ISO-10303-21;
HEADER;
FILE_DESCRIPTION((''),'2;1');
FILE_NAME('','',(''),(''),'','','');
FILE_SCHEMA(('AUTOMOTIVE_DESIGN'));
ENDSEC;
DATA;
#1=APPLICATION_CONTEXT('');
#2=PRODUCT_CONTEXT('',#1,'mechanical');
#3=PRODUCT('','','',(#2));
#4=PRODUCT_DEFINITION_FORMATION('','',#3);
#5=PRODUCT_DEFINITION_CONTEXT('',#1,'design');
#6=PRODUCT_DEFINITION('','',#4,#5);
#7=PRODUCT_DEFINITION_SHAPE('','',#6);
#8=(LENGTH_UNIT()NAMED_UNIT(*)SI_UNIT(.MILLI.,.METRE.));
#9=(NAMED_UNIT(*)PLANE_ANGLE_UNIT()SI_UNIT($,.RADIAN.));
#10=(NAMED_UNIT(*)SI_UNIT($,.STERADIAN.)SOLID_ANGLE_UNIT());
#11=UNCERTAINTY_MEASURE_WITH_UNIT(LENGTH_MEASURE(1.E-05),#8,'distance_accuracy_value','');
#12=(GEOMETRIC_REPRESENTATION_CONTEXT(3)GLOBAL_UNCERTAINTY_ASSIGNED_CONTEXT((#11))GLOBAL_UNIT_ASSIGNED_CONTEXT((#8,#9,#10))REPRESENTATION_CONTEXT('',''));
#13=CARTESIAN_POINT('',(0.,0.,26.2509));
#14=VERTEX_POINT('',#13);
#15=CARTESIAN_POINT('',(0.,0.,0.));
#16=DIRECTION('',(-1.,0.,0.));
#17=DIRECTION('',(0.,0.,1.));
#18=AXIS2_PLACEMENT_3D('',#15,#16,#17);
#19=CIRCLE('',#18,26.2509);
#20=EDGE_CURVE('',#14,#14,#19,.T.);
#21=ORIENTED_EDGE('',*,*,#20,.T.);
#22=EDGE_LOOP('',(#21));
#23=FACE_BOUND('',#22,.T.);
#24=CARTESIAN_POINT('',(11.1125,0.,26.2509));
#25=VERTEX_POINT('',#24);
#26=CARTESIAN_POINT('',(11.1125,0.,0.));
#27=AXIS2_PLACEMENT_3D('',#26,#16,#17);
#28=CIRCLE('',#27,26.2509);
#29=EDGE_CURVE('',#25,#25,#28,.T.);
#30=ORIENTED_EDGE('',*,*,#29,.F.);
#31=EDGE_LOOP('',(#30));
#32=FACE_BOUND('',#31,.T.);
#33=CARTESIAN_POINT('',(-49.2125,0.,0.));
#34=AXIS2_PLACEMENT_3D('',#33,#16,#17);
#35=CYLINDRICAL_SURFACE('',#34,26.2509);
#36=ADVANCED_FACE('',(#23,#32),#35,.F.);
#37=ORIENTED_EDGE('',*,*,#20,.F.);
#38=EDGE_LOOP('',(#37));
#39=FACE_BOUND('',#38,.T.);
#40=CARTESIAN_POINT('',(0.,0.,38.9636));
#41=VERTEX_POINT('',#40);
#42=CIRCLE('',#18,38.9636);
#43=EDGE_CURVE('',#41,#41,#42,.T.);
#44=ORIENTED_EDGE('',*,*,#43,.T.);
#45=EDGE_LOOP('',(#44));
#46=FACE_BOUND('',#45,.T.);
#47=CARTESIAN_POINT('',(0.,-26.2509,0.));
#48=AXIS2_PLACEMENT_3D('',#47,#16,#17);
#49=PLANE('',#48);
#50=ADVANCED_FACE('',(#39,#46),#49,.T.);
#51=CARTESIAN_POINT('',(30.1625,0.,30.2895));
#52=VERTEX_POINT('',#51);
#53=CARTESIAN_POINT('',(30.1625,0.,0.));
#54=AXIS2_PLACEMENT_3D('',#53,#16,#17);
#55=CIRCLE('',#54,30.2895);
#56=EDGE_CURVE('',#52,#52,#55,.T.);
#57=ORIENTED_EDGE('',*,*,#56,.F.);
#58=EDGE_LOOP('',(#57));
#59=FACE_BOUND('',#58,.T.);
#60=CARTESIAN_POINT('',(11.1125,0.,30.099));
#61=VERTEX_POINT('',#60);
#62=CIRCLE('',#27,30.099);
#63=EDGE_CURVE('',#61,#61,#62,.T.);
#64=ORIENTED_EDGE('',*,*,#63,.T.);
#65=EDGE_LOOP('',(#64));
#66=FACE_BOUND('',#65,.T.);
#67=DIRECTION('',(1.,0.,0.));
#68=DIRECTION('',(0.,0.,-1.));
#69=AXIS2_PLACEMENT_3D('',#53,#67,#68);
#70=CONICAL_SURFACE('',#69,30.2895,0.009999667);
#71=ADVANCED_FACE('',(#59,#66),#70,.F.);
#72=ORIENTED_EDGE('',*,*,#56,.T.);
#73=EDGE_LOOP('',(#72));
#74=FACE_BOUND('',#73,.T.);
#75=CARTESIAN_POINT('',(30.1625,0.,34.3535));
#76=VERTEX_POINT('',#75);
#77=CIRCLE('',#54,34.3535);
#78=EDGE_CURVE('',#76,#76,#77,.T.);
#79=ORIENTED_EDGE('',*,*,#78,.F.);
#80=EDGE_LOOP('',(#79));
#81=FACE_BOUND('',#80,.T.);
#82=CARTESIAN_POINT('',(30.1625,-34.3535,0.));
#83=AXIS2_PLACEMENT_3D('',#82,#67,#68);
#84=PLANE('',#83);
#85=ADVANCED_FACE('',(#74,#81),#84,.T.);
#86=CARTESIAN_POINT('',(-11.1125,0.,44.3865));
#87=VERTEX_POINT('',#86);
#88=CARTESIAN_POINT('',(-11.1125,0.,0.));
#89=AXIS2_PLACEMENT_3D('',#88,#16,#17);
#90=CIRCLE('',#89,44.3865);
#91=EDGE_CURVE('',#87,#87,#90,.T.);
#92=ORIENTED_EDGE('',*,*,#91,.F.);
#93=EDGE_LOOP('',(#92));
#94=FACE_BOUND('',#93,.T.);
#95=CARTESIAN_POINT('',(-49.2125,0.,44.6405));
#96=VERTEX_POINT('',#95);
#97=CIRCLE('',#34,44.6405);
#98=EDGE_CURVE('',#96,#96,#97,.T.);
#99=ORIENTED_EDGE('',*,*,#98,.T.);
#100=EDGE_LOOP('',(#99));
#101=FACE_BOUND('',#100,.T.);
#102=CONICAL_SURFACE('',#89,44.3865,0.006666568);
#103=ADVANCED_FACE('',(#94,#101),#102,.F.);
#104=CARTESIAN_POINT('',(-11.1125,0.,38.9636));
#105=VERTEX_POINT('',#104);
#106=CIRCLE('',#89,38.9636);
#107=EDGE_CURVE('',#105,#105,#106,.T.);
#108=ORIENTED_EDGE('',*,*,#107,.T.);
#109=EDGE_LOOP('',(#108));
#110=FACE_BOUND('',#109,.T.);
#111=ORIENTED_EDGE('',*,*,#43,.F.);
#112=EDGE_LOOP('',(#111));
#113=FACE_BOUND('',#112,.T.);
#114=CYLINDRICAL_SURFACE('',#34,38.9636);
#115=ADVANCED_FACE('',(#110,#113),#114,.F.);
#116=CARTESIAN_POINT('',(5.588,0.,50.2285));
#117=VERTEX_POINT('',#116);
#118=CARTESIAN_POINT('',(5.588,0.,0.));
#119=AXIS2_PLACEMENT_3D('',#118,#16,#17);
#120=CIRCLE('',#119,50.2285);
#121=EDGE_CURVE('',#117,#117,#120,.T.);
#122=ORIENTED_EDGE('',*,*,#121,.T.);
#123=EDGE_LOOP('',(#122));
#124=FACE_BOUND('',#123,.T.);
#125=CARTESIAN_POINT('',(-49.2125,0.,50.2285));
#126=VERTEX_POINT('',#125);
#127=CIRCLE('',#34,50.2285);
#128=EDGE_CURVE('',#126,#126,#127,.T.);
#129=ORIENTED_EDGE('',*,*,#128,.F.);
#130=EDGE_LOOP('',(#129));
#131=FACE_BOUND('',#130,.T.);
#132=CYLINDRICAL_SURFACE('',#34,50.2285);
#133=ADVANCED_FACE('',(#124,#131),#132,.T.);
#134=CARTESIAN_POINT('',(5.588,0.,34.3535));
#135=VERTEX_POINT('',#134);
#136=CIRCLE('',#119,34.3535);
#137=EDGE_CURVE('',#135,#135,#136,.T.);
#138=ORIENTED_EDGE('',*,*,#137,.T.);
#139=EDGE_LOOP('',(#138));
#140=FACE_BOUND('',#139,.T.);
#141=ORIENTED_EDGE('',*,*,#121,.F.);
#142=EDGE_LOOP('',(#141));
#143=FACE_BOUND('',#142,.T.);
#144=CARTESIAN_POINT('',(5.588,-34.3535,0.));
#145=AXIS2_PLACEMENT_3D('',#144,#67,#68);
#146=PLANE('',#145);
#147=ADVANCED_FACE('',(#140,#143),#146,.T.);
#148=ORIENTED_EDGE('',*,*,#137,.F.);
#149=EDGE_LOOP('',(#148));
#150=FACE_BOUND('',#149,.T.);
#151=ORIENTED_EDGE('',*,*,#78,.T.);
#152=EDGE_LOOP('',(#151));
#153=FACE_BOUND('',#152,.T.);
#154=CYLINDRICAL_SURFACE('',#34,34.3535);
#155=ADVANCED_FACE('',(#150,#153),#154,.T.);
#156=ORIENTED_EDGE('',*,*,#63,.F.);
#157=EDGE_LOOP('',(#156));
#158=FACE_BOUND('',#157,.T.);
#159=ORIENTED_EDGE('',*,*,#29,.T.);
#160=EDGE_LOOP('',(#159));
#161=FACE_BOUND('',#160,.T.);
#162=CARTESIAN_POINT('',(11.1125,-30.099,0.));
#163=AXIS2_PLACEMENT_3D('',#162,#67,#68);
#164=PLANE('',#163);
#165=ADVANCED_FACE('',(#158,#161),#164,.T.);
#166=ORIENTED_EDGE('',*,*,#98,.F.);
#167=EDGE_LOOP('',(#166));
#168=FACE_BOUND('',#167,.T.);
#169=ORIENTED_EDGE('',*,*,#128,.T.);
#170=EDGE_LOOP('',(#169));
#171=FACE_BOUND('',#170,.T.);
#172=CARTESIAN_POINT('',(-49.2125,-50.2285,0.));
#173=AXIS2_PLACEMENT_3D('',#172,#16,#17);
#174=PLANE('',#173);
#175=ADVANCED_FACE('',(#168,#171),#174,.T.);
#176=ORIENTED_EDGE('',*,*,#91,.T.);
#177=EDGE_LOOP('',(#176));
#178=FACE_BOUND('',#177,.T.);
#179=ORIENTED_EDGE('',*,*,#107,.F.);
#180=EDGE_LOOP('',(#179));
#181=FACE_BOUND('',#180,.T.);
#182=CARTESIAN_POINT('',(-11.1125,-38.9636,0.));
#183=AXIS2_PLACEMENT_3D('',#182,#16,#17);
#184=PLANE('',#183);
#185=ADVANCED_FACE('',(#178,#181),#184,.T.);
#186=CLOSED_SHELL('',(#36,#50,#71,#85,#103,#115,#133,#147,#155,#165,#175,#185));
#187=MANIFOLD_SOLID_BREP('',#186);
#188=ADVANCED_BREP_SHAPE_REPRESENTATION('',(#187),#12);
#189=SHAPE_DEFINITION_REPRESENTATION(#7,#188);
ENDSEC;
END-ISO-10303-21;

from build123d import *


with BuildPart() as part:
    # Sketch1 → Revolve1 (revolve)
    with BuildSketch(Plane.XY):
        Polygon((-49.2125, -50.2285), (5.588, -50.2285), (5.588, -34.3535), (30.1625, -34.3535), (30.1625, -30.2895), (11.1125, -30.099), (11.1125, -26.2509), (0, -26.2509), (0, -38.9636), (-11.1125, -38.9636), (-11.1125, -44.3865), (-49.2125, -44.6405), align=None)
    revolve(axis=Axis((-49.2125, 0, 0), (1, 0, 0)))


solid = part.part
